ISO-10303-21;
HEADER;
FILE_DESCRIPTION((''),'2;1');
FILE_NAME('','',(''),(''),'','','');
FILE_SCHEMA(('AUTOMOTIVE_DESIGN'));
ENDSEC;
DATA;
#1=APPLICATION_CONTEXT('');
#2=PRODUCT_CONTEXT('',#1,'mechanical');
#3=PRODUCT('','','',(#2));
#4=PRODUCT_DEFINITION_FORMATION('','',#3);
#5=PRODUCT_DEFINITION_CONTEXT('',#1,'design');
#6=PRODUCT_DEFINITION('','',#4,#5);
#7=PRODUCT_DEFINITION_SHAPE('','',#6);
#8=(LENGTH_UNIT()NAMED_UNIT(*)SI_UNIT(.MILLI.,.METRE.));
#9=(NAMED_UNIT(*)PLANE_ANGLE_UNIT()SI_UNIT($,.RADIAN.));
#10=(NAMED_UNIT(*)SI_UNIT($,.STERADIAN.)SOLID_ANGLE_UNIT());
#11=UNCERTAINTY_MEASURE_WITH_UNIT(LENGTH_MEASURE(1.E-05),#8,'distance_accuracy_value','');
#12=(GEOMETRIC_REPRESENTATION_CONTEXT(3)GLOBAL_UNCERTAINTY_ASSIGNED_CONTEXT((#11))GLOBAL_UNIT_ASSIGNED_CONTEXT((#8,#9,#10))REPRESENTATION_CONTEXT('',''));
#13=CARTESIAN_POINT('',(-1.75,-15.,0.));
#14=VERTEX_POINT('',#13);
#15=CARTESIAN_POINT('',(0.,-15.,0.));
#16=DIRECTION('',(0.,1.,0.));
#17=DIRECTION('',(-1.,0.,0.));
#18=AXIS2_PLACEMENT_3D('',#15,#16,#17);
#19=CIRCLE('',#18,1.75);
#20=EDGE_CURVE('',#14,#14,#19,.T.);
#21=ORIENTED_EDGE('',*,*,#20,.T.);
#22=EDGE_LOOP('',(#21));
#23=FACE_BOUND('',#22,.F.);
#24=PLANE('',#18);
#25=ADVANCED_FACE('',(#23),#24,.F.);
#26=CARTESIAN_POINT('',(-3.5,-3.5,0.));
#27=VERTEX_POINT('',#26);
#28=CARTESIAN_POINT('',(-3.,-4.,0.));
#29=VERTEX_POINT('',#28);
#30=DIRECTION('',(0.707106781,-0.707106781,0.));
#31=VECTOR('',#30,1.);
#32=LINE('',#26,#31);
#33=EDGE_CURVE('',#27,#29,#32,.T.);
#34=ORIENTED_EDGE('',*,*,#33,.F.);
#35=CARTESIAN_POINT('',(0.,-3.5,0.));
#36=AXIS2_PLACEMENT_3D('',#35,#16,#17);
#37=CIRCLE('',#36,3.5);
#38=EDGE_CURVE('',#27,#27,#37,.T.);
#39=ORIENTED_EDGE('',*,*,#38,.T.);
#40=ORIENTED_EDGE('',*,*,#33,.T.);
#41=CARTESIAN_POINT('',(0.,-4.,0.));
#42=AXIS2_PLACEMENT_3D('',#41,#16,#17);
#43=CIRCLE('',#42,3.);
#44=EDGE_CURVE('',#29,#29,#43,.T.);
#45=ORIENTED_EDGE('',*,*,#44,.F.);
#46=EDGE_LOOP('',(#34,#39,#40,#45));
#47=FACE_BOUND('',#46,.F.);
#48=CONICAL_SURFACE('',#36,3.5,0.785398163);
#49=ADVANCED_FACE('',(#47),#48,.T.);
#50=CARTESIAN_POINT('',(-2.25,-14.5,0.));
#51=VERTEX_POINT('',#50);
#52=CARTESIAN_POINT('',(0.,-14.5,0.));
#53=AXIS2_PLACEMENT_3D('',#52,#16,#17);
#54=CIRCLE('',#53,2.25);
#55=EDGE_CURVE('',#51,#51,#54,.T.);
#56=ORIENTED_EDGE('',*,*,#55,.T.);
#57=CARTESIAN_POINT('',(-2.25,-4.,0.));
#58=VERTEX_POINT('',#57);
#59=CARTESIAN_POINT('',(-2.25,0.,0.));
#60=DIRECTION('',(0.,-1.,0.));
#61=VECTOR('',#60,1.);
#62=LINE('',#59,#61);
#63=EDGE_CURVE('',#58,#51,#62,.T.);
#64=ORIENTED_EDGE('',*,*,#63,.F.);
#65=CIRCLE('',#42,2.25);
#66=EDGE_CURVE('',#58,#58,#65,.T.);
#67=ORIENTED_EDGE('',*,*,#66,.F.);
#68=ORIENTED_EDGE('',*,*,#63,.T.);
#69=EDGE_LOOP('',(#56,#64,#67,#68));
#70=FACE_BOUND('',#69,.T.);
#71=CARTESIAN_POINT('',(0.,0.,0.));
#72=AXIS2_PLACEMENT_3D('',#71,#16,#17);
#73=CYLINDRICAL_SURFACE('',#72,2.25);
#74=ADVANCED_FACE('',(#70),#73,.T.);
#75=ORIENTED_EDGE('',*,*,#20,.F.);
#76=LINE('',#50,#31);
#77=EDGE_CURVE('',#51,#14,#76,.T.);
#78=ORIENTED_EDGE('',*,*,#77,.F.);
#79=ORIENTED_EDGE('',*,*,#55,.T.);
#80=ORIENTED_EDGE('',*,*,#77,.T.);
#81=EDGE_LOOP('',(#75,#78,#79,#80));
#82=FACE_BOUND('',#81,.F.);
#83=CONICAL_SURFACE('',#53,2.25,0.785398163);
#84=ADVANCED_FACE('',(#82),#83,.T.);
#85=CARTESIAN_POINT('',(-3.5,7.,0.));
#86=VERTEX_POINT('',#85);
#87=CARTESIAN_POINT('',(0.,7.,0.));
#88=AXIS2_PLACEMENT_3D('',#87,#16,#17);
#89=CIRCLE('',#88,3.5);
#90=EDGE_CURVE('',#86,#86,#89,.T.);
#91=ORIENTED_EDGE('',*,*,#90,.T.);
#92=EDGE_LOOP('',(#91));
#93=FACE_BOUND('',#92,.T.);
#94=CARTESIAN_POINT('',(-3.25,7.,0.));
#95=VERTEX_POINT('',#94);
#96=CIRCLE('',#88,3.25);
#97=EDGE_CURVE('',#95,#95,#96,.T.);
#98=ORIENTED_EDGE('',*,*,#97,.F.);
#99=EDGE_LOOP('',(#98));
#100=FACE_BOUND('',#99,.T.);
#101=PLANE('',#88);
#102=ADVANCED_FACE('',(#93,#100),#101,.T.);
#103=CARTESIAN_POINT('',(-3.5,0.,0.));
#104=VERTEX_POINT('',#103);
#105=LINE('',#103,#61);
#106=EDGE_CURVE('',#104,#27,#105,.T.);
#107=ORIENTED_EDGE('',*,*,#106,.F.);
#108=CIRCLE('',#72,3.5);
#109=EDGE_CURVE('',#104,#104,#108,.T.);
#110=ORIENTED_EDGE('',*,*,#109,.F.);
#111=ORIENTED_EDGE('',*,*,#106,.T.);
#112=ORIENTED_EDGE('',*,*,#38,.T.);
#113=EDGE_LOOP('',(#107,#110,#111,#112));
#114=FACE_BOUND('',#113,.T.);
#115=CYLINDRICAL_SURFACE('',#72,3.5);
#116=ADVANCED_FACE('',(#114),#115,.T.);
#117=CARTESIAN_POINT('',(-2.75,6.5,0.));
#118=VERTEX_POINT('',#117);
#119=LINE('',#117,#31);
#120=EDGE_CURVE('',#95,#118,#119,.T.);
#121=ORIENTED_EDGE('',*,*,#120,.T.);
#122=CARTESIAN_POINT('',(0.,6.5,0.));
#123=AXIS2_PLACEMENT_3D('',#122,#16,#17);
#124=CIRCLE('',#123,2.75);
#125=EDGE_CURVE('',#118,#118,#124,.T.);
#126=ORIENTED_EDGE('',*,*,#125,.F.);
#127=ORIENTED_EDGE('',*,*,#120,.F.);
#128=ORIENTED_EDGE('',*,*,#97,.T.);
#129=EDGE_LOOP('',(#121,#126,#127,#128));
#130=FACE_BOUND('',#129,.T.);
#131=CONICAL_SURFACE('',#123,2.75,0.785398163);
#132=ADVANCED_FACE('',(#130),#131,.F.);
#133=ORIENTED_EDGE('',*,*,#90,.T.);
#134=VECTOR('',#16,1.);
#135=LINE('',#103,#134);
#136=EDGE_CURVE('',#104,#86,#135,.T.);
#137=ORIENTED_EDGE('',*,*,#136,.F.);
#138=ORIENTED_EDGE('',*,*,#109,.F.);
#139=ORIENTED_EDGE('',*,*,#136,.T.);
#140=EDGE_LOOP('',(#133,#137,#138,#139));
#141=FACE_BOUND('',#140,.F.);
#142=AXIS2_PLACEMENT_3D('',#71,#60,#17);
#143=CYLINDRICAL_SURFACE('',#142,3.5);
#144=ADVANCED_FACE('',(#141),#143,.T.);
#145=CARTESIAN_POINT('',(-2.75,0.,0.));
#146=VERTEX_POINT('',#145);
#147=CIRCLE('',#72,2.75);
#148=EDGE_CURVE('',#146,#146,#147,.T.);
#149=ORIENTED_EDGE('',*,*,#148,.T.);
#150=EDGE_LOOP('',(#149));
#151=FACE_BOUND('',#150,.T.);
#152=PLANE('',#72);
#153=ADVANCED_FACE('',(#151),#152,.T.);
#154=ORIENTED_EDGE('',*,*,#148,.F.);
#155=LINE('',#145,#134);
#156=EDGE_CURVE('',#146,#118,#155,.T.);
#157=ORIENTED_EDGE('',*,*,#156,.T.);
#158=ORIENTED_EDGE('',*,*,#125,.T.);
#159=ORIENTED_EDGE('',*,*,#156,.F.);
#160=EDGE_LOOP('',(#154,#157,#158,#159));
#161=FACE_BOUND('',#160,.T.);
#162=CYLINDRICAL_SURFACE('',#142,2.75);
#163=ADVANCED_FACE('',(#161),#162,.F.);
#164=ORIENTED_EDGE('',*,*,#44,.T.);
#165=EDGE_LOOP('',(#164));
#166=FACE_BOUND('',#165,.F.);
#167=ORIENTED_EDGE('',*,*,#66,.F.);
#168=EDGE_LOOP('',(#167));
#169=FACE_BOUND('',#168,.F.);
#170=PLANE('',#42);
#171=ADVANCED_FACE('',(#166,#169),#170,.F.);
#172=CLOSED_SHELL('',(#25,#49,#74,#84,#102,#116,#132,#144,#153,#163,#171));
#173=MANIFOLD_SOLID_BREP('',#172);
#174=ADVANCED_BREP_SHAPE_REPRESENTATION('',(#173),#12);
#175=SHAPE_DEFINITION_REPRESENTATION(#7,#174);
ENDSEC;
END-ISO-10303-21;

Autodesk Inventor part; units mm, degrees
ref_plane "YZ Plane" through (0, 0, 0) normal (1, 0, 0) x (0, 1, 0)
ref_plane "XZ Plane" through (0, 0, 0) normal (0, 1, 0) x (-1, 0, 0)
ref_plane "XY Plane" through (0, 0, 0) normal (0, 0, 1) x (1, 0, 0)
sketch "Эскиз1" plane through (0, 0, 0) normal (0, 1, 0) x (-1, 0, 0)
  circle A0 centre (0, 0) radius 2.25
  circle A1 centre (0, 0) radius 2.75
  circle A2 centre (0, 0) radius 3.5
  dimension "d0" = 4.5
  dimension "d1" = 5.5
  dimension "d2" = 7
extrude "Выдавливание1" add sketch "Эскиз1" against normal blind 4 contours A0 | A1 | A2
extrude "Выдавливание2" add sketch "Эскиз1" against normal blind 15 contours A0
extrude "Выдавливание3" add sketch "Эскиз1" along normal blind 7 contours A2
chamfer "Фаска1" distance 0.5 angle 45 3 edges at (3.5, -4, 0) (2.25, -15, 0) (2.75, 7, 0)
properties part number "connector"
